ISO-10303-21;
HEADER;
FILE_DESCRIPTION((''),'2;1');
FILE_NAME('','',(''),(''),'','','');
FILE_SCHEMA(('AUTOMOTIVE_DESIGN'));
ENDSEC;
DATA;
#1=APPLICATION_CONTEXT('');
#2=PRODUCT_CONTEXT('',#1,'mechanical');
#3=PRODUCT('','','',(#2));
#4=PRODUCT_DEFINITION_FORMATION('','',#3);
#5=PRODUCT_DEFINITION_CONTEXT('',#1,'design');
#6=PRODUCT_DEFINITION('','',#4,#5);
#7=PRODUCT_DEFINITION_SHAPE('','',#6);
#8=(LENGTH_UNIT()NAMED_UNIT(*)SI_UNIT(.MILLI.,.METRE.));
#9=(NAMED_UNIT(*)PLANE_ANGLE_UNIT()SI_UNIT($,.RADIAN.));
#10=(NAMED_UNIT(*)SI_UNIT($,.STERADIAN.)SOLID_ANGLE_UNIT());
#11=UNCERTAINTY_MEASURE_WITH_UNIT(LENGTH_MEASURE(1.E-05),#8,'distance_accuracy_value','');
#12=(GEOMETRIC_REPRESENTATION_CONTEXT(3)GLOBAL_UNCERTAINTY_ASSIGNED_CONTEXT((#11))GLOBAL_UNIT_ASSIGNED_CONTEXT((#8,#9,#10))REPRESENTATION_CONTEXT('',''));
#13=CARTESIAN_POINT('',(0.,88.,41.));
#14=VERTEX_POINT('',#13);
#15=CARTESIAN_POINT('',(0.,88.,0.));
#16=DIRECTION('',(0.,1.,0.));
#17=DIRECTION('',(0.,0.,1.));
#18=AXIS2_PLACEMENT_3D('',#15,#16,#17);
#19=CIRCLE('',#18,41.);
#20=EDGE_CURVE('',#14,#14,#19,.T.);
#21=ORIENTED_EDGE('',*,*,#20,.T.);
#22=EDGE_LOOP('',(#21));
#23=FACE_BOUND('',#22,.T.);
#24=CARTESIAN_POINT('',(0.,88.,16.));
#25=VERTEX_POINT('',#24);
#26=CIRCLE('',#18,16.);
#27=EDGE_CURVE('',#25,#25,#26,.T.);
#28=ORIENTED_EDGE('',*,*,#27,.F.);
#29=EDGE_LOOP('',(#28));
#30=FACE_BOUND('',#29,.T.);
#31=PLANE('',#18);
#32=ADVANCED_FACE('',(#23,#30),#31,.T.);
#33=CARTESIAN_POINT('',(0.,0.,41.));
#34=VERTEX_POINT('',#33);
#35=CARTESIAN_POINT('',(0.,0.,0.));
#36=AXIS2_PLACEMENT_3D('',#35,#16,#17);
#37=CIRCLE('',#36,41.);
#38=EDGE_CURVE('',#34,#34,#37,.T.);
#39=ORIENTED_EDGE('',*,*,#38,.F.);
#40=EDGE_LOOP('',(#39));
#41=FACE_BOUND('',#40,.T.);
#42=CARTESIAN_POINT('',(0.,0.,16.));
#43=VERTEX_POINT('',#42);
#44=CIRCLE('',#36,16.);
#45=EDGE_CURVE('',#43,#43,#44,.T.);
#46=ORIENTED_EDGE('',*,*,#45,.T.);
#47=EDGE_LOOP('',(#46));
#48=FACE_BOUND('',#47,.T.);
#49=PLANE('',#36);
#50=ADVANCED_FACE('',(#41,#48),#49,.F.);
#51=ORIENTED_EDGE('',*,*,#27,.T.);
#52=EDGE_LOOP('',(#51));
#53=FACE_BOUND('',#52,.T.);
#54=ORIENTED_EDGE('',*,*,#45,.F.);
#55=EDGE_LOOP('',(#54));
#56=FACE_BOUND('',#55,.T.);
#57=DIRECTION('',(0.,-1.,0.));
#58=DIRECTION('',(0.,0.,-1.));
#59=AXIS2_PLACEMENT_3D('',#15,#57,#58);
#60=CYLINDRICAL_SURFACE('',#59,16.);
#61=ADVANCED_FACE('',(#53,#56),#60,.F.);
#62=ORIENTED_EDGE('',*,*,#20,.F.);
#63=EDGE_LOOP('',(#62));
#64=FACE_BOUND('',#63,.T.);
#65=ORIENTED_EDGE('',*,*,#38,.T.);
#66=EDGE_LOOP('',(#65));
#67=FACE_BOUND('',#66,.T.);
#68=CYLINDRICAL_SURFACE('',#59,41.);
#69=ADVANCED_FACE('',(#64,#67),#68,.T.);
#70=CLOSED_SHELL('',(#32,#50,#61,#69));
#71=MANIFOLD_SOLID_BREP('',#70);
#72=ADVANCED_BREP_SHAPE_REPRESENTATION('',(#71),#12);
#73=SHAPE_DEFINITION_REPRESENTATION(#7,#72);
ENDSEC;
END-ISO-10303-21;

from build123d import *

# Parameters (mm, degrees)
SKETCH1_R           = 41
SKETCH1_R_2         = 16
BOSS_EXTRUDE1_DEPTH = 88


with BuildPart() as part:
    # Sketch1 → Boss-Extrude1 (new body)
    with BuildSketch(Plane(origin=(0, 0, 0), x_dir=(1, 0, 0), z_dir=(0, 1, 0))):
        Circle(SKETCH1_R)
        Circle(SKETCH1_R_2, mode=Mode.SUBTRACT)
    extrude(amount=BOSS_EXTRUDE1_DEPTH)


solid = part.part
